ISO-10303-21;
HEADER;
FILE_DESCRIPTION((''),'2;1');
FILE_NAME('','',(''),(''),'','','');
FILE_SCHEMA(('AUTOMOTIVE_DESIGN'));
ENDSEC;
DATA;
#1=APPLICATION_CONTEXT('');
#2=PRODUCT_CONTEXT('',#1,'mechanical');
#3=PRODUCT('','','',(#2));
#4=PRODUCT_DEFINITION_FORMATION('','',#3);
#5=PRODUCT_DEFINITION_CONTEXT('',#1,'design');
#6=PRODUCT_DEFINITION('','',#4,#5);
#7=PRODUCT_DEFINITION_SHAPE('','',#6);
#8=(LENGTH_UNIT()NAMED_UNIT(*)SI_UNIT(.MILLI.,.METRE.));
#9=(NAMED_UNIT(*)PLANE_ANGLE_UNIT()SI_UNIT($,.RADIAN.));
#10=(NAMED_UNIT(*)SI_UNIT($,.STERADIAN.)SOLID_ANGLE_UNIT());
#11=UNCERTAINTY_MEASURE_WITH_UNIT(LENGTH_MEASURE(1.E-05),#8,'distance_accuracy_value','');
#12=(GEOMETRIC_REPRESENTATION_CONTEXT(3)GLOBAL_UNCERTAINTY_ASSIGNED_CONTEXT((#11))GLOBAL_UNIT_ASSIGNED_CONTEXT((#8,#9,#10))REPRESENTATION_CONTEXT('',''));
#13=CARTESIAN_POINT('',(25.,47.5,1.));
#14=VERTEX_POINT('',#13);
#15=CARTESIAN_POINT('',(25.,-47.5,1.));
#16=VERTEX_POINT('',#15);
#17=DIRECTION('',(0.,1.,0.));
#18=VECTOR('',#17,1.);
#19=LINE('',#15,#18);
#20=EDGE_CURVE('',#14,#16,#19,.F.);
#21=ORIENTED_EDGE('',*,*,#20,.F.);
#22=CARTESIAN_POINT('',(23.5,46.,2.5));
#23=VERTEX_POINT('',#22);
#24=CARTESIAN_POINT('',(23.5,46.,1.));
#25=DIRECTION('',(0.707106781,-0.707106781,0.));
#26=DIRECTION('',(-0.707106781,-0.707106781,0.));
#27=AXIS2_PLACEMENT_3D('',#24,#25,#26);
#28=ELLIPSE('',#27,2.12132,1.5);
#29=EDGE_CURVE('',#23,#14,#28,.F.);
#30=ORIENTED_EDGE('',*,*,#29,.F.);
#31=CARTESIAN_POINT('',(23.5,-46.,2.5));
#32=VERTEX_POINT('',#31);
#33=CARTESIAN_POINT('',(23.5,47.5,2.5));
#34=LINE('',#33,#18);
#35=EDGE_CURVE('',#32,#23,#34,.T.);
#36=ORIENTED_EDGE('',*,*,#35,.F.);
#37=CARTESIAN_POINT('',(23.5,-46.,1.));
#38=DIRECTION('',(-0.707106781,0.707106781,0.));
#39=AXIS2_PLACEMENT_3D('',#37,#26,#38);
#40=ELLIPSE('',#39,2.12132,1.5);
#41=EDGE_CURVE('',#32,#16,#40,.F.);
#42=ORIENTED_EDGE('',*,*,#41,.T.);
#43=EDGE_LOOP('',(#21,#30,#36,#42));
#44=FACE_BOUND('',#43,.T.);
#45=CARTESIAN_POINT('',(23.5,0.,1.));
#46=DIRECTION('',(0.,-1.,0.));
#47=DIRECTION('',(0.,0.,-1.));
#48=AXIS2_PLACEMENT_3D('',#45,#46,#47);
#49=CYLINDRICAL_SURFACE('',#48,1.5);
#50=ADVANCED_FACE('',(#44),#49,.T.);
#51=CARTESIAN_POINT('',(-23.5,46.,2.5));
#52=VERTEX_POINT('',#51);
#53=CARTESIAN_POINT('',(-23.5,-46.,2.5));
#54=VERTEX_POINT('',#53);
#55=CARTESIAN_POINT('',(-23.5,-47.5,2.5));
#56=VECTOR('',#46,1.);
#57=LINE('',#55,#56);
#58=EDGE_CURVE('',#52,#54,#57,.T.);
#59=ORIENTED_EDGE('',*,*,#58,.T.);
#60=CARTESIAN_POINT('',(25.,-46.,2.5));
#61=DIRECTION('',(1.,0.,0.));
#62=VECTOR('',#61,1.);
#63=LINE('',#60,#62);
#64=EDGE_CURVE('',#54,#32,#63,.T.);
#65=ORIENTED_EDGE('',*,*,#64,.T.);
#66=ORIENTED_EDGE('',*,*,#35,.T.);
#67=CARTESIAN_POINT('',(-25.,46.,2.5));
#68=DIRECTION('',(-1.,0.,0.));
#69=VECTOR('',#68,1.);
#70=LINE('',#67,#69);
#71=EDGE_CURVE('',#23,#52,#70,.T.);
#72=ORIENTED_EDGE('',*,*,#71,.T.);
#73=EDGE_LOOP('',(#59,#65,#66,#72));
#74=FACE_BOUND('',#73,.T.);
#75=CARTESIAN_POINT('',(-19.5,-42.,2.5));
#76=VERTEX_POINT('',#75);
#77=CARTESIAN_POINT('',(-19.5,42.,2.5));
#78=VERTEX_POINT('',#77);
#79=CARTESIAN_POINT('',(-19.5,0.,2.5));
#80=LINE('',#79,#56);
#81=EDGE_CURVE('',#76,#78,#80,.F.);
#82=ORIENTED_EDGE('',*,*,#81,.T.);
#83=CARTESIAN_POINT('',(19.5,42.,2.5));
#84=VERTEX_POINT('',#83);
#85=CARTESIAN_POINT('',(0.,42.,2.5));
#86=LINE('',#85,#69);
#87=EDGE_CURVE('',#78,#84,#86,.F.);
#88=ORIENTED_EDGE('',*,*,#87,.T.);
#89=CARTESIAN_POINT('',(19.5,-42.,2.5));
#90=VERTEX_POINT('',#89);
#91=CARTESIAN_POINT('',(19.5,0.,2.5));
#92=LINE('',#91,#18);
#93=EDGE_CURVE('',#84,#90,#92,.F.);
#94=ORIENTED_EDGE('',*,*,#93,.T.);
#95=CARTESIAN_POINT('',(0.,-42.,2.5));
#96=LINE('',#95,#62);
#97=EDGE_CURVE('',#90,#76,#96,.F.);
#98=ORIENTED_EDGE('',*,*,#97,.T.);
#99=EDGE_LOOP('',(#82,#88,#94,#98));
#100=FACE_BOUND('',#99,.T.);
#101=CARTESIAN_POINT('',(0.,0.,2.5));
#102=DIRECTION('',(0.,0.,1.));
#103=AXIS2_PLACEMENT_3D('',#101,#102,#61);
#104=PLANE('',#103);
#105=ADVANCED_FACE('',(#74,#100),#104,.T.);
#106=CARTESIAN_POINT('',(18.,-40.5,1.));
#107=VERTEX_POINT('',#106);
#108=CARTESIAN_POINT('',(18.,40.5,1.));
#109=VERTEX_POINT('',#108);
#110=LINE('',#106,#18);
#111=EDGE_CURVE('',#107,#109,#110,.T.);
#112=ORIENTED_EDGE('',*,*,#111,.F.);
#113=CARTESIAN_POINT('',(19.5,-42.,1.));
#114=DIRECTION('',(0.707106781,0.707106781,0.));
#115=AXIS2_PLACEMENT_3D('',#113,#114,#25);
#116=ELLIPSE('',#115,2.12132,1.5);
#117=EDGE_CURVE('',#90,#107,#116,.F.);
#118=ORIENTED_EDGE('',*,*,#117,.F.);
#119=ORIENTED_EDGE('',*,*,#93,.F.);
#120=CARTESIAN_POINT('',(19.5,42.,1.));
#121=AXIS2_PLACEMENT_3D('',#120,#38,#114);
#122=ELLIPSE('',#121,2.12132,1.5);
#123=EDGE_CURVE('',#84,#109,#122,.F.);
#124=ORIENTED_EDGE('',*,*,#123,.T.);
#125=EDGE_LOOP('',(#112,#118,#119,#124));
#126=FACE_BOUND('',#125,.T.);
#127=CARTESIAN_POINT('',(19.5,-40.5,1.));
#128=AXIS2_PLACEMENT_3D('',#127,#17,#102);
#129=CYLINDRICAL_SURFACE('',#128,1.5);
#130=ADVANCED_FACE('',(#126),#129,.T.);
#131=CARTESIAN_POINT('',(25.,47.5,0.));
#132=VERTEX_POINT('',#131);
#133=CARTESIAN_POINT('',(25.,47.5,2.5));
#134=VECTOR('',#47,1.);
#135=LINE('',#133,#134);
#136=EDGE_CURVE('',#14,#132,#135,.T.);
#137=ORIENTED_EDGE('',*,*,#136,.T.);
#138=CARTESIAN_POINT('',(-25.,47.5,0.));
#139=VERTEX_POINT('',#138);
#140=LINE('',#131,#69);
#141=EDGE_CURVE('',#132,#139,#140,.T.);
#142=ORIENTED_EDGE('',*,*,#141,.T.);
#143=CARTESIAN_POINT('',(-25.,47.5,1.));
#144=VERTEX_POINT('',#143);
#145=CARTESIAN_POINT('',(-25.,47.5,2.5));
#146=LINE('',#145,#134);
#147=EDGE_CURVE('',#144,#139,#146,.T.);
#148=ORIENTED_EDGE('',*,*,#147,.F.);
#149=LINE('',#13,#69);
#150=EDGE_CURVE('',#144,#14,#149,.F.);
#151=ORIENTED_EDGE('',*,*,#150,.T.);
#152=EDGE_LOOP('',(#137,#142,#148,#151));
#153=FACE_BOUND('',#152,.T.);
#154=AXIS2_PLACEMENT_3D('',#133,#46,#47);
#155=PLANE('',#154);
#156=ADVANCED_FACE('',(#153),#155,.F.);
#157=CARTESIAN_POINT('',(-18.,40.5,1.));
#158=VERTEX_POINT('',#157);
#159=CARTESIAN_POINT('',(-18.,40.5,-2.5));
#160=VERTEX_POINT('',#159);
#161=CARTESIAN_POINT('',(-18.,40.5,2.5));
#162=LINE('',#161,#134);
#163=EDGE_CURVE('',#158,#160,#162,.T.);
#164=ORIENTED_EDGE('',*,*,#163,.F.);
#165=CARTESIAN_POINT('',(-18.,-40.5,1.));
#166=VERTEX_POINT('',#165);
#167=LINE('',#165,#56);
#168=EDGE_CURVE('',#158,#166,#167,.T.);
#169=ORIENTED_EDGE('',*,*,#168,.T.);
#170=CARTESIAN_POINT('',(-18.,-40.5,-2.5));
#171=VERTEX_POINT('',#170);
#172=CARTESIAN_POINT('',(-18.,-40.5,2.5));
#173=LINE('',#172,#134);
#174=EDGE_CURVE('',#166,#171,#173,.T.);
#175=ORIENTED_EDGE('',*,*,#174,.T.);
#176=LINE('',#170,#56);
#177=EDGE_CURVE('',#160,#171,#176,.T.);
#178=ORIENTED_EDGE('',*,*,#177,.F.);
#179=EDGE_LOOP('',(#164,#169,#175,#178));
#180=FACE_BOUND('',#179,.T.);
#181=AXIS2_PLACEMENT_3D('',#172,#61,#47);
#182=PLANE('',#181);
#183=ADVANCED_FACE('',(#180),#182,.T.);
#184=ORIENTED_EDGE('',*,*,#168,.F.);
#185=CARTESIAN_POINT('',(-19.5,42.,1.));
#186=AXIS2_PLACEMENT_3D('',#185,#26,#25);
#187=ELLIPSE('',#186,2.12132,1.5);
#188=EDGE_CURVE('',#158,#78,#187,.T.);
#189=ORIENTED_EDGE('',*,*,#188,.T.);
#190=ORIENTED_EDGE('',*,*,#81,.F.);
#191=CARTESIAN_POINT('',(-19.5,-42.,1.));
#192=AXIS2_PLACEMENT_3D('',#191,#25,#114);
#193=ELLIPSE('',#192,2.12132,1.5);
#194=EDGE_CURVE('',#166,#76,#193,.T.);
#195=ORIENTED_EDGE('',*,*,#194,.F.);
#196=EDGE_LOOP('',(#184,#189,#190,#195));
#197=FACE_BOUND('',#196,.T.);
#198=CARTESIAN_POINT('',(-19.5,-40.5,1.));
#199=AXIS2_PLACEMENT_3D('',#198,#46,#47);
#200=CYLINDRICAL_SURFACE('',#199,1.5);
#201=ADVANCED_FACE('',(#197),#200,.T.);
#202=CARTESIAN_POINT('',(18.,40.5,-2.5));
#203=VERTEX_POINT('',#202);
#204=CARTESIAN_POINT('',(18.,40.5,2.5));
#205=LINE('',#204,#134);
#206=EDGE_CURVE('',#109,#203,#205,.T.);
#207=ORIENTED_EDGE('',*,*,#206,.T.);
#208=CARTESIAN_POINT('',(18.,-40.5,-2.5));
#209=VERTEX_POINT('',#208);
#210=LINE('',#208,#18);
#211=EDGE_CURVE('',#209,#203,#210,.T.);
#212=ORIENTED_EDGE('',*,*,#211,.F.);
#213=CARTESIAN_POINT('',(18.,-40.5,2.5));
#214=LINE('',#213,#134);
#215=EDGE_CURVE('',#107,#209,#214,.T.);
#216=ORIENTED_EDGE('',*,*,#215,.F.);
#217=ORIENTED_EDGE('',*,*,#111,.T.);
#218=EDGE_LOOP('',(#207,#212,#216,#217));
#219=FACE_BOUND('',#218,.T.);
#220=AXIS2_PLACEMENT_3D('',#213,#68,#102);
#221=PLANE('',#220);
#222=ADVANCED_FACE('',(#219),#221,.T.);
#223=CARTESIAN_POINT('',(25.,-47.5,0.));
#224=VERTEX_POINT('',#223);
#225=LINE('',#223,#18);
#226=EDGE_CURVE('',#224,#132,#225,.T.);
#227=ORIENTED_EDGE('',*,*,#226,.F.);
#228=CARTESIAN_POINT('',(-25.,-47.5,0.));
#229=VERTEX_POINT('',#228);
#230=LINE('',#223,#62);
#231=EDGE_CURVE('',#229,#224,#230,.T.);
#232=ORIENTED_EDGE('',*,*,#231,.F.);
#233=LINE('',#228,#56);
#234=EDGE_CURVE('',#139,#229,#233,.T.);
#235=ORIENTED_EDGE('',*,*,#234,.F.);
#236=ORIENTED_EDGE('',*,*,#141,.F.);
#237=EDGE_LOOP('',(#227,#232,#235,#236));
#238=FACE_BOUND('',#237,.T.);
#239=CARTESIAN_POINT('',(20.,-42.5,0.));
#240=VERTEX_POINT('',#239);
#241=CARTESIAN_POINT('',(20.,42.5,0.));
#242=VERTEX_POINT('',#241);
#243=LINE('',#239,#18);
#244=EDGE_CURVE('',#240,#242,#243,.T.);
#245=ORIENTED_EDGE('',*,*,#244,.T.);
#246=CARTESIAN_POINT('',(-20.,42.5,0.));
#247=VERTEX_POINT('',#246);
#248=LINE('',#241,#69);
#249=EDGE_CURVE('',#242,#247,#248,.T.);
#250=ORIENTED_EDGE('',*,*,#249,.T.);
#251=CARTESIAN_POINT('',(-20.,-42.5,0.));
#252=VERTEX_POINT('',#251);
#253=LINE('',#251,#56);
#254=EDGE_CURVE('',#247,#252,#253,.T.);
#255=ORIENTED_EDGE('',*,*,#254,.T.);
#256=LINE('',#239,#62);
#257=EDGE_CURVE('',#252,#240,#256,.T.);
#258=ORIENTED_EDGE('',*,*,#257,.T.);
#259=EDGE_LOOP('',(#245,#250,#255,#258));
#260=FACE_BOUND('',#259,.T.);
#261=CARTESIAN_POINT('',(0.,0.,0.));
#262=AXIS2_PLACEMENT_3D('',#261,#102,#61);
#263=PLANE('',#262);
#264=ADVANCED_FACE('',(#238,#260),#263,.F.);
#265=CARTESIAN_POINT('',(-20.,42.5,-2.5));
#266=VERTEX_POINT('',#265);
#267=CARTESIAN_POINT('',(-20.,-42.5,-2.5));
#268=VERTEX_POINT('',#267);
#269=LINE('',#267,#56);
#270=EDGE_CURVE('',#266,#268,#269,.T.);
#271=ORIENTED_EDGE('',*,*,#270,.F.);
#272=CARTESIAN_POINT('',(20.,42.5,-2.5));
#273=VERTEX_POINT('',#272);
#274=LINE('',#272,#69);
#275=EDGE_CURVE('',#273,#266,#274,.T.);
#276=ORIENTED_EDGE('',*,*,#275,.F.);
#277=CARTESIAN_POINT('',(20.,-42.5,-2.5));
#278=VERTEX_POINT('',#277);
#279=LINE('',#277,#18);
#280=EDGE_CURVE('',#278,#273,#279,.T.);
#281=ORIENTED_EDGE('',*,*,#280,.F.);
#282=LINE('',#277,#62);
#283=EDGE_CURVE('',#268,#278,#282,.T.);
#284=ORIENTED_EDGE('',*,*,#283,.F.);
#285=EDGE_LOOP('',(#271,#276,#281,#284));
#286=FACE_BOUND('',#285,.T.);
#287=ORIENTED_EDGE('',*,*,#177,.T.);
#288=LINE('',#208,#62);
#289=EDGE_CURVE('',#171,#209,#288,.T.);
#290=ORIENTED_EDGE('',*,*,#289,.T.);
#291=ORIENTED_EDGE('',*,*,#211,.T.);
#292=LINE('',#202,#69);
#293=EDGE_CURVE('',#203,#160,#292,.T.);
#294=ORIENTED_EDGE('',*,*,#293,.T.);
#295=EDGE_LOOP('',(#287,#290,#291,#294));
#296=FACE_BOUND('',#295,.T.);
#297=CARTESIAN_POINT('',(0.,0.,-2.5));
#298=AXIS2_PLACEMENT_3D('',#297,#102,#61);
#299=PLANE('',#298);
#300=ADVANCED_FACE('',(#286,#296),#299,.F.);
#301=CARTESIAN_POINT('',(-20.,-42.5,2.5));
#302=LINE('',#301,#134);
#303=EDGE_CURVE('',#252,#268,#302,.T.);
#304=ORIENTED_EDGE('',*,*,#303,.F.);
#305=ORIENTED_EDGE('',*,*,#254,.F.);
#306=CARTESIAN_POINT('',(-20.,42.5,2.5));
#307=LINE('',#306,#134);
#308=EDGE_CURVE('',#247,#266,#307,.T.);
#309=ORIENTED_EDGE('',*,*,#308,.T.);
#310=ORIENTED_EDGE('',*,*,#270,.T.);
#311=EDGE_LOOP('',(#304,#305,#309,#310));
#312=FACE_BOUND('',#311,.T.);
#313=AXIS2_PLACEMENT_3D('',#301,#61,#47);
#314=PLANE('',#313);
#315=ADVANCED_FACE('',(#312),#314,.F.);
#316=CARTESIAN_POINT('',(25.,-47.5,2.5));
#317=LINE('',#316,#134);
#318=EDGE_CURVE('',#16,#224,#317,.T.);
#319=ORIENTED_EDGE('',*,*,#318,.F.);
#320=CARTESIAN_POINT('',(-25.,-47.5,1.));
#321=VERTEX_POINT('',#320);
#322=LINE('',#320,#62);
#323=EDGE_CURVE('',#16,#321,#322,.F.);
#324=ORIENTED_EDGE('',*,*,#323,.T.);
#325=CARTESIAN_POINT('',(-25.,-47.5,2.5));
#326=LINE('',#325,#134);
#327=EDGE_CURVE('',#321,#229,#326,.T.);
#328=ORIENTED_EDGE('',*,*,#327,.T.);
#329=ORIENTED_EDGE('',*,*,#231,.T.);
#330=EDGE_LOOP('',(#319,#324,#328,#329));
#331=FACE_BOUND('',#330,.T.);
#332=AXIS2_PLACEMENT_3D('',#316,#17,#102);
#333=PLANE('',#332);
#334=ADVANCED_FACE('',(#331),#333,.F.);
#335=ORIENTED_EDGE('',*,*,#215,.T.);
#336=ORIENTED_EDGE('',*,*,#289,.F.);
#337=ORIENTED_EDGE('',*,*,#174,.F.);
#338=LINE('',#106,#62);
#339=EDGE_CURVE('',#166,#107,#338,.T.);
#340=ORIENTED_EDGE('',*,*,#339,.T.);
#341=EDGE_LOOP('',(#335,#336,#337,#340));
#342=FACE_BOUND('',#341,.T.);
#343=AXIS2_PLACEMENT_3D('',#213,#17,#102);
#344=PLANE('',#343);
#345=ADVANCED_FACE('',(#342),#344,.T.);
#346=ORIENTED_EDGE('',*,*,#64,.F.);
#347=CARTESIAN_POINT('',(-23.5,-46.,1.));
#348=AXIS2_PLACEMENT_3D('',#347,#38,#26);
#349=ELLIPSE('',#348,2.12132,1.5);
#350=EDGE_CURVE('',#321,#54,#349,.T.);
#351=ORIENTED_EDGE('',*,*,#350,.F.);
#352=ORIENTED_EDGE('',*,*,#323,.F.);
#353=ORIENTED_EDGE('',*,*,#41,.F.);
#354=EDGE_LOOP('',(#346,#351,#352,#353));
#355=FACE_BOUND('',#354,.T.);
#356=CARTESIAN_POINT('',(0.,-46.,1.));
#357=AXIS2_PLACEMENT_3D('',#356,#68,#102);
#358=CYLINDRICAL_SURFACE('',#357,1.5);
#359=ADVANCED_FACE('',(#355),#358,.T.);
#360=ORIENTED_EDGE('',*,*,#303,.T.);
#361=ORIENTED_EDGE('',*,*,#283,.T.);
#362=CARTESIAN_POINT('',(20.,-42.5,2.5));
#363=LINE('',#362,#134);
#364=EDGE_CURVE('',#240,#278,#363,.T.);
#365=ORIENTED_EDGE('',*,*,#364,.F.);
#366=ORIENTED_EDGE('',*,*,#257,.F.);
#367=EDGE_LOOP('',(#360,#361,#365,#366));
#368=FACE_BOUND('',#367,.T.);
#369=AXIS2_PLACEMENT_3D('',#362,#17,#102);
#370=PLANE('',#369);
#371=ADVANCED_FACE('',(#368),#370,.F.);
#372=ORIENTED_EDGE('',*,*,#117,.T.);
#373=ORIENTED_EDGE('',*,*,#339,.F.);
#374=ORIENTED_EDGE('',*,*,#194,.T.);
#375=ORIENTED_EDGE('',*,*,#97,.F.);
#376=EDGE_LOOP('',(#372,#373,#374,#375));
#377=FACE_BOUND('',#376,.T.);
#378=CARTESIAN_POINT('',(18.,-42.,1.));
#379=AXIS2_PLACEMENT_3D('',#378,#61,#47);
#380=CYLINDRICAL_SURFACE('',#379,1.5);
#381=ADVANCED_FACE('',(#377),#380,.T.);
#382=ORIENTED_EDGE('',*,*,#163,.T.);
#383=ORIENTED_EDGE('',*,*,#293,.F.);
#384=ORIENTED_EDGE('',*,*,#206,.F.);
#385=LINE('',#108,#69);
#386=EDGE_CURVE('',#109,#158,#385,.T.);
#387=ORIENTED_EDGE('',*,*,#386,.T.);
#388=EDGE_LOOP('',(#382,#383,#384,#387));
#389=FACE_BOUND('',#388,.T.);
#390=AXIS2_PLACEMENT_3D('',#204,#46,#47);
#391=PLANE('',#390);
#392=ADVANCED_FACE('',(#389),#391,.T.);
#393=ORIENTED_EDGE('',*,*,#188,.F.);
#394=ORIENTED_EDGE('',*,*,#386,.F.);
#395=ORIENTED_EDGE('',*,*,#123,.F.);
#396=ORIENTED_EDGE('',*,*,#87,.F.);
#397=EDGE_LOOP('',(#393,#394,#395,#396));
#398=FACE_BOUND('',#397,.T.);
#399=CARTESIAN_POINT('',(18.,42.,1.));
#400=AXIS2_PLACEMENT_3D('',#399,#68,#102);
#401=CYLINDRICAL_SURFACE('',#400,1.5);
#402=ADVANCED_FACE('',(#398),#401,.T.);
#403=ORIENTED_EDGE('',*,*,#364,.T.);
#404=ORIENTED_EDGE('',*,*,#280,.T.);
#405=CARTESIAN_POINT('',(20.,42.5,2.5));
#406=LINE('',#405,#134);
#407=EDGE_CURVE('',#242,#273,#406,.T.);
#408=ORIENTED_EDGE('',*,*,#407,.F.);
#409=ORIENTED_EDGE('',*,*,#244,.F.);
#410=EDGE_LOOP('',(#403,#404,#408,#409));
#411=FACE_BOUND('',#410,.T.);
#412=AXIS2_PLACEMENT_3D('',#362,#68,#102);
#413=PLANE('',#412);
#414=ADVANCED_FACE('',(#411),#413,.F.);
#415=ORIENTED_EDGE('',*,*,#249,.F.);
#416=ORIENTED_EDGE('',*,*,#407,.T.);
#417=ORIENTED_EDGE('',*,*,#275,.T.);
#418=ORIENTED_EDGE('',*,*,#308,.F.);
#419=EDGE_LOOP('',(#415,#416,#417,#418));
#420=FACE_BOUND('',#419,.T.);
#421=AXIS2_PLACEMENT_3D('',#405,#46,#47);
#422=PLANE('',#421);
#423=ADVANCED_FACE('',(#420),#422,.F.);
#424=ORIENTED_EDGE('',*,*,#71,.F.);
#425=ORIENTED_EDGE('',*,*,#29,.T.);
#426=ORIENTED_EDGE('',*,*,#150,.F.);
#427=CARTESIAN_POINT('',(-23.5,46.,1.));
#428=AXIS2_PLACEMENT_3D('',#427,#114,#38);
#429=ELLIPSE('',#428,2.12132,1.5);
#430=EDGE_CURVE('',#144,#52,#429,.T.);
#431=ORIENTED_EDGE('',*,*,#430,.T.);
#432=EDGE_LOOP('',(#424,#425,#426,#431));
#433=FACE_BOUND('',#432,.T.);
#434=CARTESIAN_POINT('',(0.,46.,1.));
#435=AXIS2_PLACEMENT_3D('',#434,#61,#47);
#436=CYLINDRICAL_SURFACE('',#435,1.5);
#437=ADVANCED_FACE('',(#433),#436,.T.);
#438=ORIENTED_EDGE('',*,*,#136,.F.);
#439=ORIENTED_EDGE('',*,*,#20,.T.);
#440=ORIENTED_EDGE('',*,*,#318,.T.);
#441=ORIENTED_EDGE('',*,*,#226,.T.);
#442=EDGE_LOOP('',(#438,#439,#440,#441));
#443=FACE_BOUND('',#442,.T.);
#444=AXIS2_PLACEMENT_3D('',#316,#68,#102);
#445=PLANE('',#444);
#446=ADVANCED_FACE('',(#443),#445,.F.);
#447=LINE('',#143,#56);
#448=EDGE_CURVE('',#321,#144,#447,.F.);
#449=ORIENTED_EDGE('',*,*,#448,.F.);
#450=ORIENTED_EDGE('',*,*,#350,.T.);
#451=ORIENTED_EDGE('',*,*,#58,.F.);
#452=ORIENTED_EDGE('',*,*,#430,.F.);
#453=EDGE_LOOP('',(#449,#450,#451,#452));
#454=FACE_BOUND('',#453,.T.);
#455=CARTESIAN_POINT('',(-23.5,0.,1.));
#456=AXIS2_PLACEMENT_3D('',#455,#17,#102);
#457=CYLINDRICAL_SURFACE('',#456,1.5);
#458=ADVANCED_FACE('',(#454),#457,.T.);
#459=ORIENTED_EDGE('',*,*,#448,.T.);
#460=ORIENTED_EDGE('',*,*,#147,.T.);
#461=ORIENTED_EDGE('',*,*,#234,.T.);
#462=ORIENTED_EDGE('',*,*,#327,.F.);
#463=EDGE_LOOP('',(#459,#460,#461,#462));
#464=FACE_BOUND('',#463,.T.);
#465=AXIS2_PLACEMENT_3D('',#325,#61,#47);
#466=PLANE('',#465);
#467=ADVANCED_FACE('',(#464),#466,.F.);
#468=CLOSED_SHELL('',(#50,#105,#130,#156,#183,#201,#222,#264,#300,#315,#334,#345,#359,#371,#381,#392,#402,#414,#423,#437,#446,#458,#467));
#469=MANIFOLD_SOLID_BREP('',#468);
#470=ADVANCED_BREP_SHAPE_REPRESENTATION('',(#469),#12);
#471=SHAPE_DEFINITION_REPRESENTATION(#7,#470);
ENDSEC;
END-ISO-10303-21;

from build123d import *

# Parameters (mm, degrees)
CROQUIS1_W              = 40
CROQUIS1_H              = 85
CROQUIS1_W_2            = 36
CROQUIS1_H_2            = 81
SALIENTE_EXTRUIR2_DEPTH = 2.5
CROQUIS2_W              = 50
CROQUIS2_H              = 95
CROQUIS2_W_2            = 40
CROQUIS2_H_2            = 85
SALIENTE_EXTRUIR3_DEPTH = 2.5
REDONDEO1_R             = 1.5


with BuildPart() as part:
    # Croquis1 → Saliente-Extruir2 (new, symmetric)
    with BuildSketch(Plane.XY):
        Rectangle(CROQUIS1_W, CROQUIS1_H)
        Rectangle(CROQUIS1_W_2, CROQUIS1_H_2, mode=Mode.SUBTRACT)
    extrude(amount=SALIENTE_EXTRUIR2_DEPTH, both=True)

    # Croquis2 → Saliente-Extruir3 (add)
    with BuildSketch(Plane.XY):
        Rectangle(CROQUIS2_W, CROQUIS2_H)
        Rectangle(CROQUIS2_W_2, CROQUIS2_H_2, mode=Mode.SUBTRACT)
    extrude(amount=SALIENTE_EXTRUIR3_DEPTH)

    # Redondeo1
    redondeo1_edges = [part.edges().sort_by_distance(p)[0] for p in [
        (-18, 0, 2.5),
        (0, -40.5, 2.5),
        (18, 0, 2.5),
        (0, 40.5, 2.5),
        (-25, 0, 2.5),
        (0, -47.5, 2.5),
        (25, 0, 2.5),
        (0, 47.5, 2.5),
    ]]
    fillet(redondeo1_edges, radius=REDONDEO1_R)


solid = part.part
